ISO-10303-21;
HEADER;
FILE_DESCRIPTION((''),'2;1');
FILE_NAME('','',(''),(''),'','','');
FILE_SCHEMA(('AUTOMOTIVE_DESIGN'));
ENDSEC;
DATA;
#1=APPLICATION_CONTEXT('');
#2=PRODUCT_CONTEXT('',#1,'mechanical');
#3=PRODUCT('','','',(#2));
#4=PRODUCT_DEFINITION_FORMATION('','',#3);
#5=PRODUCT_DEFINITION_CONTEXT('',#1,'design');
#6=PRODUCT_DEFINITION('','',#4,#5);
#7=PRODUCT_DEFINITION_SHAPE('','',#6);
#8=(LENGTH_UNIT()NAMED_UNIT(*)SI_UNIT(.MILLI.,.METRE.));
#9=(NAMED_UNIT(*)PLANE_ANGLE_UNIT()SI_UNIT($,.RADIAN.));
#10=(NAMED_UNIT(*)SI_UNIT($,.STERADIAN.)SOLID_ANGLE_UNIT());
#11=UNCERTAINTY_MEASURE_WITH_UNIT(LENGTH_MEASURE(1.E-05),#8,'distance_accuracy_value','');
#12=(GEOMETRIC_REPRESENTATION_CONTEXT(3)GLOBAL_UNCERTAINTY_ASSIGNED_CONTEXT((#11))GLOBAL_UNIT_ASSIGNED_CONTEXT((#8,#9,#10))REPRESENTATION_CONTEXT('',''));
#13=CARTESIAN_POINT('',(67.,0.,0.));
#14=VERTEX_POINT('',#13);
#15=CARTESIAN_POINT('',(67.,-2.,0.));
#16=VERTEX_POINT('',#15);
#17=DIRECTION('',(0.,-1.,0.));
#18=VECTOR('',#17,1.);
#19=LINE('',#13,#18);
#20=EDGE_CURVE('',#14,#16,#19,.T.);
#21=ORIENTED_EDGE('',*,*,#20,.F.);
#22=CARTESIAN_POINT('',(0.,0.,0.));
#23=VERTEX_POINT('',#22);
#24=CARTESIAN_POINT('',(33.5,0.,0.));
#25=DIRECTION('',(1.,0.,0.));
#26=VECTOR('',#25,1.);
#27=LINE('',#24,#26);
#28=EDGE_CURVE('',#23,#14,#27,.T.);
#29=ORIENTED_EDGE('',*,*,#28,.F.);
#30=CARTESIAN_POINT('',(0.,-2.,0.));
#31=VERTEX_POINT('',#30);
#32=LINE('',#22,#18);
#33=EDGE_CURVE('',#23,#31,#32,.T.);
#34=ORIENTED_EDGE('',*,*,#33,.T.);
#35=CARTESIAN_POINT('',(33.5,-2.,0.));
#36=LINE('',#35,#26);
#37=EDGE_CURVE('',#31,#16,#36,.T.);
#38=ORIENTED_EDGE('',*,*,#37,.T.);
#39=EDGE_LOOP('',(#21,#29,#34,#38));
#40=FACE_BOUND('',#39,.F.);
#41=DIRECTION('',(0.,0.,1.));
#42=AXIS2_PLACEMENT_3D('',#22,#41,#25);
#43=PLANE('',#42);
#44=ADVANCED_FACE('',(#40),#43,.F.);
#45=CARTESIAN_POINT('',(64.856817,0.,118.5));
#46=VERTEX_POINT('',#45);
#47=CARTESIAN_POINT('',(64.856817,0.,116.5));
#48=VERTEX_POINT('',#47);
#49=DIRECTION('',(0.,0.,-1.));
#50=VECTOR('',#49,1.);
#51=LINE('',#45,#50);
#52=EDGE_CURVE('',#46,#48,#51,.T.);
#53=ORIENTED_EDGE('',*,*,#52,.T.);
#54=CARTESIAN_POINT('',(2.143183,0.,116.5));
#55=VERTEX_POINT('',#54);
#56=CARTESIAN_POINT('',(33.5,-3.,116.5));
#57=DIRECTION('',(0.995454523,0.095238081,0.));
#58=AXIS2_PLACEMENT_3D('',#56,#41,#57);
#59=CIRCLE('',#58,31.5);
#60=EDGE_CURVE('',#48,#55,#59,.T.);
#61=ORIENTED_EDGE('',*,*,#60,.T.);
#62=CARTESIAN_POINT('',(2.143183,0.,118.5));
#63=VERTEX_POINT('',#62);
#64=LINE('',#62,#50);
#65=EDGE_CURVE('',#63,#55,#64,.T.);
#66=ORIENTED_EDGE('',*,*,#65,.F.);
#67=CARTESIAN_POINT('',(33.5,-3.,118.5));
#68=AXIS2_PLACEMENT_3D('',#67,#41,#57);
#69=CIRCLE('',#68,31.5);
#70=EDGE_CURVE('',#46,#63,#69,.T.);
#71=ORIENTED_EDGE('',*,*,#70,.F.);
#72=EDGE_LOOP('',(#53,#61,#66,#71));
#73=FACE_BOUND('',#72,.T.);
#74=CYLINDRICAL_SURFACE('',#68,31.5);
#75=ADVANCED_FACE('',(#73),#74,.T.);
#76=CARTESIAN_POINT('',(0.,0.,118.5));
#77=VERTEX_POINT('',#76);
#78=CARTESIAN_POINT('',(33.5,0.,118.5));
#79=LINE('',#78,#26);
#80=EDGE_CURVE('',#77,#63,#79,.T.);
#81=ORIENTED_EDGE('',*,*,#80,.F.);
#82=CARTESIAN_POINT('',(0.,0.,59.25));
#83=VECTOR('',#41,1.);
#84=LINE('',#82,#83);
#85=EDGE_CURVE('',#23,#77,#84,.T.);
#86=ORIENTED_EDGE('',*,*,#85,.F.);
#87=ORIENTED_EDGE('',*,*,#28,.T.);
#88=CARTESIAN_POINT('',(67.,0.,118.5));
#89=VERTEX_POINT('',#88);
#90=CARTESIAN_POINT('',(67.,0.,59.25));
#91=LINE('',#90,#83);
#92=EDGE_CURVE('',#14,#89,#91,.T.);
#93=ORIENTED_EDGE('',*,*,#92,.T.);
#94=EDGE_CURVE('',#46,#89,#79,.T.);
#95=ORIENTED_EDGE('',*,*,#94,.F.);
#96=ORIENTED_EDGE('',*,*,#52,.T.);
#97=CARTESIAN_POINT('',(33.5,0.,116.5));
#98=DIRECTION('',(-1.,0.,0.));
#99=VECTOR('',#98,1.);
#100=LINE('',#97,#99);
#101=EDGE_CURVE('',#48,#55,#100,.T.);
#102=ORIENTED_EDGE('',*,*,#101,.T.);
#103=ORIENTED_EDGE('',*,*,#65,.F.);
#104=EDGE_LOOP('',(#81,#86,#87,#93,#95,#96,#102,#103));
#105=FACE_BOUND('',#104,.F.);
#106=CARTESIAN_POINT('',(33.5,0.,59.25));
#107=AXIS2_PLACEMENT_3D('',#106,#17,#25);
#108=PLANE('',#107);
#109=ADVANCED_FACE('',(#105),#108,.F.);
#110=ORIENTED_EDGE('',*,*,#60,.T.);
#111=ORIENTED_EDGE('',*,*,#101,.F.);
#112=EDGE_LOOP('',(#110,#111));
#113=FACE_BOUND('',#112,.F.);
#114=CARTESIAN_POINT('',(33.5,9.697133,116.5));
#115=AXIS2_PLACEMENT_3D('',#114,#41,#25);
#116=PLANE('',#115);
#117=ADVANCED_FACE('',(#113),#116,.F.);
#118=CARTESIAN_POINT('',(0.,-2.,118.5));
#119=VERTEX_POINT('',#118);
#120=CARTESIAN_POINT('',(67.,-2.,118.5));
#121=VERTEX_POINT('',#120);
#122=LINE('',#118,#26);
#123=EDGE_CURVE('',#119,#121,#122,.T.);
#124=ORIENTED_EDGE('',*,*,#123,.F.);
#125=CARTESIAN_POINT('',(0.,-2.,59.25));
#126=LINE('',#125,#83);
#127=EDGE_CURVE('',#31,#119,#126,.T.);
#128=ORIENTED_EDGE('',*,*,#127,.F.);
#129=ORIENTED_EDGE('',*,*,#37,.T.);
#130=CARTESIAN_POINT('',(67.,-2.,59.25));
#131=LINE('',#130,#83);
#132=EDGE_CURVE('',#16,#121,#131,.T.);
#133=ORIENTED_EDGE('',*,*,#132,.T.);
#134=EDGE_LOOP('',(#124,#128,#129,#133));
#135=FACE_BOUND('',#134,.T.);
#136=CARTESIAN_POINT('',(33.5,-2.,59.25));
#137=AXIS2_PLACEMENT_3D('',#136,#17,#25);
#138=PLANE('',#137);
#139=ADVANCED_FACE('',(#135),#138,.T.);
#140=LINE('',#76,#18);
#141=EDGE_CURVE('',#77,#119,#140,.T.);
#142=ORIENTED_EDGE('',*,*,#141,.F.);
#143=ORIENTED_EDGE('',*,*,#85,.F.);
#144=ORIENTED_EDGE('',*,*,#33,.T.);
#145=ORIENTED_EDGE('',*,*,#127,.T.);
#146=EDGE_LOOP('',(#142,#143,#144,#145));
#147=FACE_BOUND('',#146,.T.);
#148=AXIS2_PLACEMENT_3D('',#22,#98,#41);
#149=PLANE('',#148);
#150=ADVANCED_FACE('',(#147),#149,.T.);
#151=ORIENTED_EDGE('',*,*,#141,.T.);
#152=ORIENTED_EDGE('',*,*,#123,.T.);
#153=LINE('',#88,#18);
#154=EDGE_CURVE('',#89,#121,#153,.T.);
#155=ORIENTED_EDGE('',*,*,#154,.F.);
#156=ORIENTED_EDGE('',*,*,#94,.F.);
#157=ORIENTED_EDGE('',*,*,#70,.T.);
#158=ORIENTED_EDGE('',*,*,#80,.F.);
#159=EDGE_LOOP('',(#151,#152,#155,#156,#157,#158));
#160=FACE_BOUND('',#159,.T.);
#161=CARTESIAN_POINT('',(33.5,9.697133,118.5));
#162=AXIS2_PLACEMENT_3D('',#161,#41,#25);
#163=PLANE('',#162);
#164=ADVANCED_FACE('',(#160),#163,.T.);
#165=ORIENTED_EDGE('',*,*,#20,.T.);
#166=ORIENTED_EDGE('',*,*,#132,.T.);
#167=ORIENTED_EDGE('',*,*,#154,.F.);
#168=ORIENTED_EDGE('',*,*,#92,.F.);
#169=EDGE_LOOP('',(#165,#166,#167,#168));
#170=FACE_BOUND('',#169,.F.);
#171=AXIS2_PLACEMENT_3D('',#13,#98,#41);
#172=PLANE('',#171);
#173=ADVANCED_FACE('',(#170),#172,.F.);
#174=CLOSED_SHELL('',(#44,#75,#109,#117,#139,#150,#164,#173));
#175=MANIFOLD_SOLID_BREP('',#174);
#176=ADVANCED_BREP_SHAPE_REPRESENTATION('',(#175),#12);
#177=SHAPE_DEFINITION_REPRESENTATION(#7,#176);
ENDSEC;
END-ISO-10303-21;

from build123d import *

# Parameters (mm, degrees)
F0_W     = 67
F0_H     = 118.5
F1_DEPTH = 2
F3_DEPTH = 2


with BuildPart() as f1:
    # F0 (on Front) → F1 (new body)
    with BuildSketch(Plane.XZ):
        with Locations((33.5, 59.25)):
            Rectangle(F0_W, F0_H)
    extrude(amount=F1_DEPTH)

    # F2 (on face) → F3 (join)
    with BuildSketch(Plane.XY.offset(118.5)):
        with BuildLine():
            Line((2.143183, 0), (64.856817, 0))
            ThreePointArc((64.856817, 0), (33.5, 28.5), (2.143183, 0))
        make_face()
        with BuildLine():
            Line((2.015877, -2), (64.984123, -2))
            ThreePointArc((64.984123, -2), (64.936379, -0.998987), (64.856817, 0))
            Line((64.856817, 0), (2.143183, 0))
            ThreePointArc((2.143183, 0), (2.063621, -0.998987), (2.015877, -2))
        make_face()
    extrude(amount=-F3_DEPTH)


solid = f1.part
